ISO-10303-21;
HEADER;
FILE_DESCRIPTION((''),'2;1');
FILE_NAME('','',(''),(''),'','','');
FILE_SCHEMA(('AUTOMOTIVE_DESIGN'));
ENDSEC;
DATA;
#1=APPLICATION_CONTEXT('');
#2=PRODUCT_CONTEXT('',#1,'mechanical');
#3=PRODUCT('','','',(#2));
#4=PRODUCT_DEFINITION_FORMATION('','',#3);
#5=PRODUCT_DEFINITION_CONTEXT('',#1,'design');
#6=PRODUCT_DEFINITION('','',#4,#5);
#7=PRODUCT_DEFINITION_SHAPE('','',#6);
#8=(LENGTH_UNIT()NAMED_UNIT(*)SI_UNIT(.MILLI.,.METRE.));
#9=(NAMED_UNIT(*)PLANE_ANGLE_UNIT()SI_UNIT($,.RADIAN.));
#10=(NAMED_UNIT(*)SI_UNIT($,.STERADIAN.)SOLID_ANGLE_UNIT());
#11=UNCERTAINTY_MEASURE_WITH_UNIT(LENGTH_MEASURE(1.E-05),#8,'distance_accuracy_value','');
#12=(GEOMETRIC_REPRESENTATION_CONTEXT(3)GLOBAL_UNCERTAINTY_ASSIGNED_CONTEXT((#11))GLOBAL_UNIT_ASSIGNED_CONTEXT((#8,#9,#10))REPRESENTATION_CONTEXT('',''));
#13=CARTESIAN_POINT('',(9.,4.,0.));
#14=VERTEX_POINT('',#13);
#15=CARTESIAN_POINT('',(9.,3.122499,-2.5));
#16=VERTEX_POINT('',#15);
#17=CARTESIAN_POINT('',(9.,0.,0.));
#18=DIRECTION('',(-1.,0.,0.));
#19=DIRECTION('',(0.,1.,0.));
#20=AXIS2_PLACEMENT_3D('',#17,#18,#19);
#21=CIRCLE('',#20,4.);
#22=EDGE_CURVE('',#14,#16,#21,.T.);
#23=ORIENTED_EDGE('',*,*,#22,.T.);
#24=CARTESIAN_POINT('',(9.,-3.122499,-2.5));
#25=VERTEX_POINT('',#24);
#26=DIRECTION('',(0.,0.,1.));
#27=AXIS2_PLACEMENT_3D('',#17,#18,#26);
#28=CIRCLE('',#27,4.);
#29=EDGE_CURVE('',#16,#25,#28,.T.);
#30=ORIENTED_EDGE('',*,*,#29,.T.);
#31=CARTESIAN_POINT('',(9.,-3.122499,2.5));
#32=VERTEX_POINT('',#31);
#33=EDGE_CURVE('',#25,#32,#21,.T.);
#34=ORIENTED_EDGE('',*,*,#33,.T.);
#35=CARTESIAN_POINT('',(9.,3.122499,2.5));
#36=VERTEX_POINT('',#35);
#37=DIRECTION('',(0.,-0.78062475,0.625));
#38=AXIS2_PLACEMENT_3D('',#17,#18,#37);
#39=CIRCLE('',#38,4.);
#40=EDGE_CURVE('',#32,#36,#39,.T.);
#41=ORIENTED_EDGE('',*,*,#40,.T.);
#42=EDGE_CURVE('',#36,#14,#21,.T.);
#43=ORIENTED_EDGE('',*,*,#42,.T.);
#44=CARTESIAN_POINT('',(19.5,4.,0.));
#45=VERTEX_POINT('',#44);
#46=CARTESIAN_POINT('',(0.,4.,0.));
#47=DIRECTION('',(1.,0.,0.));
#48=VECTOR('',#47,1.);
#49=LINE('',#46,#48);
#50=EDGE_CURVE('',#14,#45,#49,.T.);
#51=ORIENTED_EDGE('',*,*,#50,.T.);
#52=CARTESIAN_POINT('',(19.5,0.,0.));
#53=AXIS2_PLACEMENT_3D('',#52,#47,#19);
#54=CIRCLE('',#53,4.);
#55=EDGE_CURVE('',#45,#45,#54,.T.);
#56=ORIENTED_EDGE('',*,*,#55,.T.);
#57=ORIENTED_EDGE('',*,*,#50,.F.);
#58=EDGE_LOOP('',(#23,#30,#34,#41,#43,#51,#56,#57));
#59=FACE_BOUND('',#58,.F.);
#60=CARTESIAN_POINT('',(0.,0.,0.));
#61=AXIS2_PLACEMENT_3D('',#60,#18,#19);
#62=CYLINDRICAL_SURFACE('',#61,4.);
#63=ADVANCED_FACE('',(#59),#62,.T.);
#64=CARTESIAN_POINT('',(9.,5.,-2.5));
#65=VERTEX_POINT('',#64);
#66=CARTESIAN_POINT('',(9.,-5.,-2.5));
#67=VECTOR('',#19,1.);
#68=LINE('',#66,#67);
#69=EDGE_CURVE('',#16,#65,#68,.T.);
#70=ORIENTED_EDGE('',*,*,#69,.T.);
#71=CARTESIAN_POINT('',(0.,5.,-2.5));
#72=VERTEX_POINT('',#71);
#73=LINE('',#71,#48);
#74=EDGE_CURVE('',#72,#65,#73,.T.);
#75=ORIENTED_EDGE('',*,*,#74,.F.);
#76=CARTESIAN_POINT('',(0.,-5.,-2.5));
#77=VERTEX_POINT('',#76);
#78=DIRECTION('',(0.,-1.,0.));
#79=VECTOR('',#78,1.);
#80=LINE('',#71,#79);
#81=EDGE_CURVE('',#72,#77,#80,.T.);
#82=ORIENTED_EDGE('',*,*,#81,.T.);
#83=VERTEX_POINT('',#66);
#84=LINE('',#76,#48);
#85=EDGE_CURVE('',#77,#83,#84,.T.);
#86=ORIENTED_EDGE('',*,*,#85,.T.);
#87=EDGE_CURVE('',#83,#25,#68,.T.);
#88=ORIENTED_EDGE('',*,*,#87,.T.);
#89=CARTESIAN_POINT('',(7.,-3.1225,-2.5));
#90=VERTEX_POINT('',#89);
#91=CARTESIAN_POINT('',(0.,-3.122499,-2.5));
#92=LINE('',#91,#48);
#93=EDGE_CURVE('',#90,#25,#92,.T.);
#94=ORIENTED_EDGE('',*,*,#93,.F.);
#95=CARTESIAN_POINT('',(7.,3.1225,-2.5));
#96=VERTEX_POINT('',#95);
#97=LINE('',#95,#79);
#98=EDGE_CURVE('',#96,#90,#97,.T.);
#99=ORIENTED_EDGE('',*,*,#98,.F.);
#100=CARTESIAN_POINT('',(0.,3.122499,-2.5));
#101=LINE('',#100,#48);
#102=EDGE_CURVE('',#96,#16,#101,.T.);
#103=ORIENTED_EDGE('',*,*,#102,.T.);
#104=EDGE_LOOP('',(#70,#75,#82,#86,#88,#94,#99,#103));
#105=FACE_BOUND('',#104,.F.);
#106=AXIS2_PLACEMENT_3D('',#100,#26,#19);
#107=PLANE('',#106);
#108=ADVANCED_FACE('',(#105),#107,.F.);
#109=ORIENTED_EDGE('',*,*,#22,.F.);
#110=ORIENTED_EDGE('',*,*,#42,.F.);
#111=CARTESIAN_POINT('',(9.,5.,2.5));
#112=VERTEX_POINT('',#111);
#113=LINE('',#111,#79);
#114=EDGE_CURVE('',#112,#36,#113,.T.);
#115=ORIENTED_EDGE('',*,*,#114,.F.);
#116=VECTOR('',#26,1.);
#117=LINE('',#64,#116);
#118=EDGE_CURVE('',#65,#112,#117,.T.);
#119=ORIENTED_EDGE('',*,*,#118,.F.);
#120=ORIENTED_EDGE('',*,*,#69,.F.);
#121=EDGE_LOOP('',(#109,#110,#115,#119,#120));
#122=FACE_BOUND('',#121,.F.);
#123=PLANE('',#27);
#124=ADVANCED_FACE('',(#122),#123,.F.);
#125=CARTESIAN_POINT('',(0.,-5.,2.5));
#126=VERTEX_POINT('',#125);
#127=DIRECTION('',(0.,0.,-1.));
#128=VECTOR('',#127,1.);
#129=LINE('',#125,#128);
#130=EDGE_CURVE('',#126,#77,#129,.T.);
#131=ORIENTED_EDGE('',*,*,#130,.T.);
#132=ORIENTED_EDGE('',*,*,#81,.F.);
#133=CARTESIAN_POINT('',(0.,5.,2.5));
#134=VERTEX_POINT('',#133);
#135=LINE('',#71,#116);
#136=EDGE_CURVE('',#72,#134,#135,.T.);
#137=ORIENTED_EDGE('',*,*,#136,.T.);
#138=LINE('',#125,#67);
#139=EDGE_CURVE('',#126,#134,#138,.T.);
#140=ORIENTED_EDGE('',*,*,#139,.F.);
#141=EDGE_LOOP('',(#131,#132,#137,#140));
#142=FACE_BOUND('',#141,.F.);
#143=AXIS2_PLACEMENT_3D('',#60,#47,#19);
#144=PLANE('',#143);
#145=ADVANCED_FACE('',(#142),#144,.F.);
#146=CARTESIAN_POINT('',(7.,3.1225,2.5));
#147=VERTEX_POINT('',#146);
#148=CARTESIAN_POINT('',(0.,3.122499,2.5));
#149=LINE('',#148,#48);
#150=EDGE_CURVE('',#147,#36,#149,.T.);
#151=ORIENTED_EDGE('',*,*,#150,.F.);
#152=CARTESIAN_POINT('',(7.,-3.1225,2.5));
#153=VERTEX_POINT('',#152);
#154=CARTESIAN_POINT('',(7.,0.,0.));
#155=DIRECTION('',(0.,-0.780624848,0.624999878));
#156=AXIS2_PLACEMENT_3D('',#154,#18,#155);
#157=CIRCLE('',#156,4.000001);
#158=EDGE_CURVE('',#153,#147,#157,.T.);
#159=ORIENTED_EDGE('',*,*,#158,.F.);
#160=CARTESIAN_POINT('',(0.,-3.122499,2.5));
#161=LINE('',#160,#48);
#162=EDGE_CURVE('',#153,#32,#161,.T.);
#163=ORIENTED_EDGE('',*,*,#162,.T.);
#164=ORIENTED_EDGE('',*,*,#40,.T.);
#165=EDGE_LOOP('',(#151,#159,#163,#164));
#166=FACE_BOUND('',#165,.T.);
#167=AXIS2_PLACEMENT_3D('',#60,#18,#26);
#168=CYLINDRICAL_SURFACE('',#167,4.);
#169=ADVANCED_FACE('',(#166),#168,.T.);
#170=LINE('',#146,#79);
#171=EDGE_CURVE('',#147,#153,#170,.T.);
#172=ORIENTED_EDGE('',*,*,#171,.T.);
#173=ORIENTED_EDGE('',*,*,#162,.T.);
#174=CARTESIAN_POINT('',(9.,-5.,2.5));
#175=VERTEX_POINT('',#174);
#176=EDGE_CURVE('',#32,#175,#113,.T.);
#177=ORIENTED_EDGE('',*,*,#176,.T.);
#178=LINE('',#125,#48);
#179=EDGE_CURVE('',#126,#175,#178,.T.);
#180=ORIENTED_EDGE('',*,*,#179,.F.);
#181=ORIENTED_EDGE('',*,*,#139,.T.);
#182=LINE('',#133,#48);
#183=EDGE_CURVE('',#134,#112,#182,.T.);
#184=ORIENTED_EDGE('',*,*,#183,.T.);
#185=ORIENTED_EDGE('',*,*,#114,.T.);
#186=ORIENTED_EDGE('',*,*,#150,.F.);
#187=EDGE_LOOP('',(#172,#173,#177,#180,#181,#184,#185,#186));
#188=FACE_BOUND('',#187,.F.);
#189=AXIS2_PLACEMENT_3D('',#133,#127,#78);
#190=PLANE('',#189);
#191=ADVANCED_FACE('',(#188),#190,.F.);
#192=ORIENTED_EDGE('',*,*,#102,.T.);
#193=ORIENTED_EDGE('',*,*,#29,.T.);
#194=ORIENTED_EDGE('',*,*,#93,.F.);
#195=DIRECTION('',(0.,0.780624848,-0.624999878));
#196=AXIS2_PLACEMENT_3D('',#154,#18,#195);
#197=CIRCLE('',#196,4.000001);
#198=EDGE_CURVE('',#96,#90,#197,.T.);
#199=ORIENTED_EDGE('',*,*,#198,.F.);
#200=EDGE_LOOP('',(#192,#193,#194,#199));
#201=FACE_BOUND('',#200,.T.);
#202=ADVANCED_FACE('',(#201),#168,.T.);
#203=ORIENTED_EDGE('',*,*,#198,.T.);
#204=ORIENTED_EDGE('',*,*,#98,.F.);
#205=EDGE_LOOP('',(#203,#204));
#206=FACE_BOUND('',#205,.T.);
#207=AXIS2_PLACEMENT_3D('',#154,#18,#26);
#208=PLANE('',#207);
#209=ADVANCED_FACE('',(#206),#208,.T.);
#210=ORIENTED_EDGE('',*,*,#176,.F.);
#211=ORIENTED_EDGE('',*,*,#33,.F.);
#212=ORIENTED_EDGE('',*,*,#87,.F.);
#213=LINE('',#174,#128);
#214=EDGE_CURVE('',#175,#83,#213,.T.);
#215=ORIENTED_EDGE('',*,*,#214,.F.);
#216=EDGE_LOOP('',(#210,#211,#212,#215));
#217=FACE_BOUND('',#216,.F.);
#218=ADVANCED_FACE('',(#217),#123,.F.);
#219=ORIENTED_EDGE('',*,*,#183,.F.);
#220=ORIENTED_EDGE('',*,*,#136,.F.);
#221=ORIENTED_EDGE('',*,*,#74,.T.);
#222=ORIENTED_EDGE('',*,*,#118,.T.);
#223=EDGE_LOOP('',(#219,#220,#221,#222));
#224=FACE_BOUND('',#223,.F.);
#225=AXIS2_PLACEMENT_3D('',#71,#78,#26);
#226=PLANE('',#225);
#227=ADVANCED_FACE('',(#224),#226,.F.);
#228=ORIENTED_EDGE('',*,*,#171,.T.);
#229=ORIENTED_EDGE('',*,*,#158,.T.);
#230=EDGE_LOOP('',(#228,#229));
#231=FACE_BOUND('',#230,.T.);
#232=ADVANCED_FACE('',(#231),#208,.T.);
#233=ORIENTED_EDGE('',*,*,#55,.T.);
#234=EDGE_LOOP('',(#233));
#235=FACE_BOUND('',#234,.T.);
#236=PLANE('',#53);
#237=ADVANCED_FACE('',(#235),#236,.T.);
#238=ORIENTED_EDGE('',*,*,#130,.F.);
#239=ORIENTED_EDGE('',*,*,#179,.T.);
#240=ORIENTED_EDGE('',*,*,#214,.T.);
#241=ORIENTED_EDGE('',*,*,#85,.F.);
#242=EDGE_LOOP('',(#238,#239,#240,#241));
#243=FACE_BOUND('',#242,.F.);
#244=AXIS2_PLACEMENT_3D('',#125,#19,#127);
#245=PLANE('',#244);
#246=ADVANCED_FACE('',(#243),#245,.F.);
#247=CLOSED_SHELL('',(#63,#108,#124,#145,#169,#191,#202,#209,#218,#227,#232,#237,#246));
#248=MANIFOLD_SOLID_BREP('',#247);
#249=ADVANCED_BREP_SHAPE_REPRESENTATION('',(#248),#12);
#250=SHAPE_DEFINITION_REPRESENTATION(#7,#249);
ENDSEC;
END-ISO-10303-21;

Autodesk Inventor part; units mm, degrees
ref_plane "YZ Plane" through (0, 0, 0) normal (1, 0, 0) x (0, 1, 0)
ref_plane "XZ Plane" through (0, 0, 0) normal (0, 1, 0) x (-1, 0, 0)
ref_plane "XY Plane" through (0, 0, 0) normal (0, 0, 1) x (1, 0, 0)
sketch "Boceto2" plane through (0, 0, 0) normal (1, 0, 0) x (0, 1, 0)
  circle A0 centre (0, 0) radius 4
  dimension "d3" = 8
extrude "Extrusión2" add sketch "Boceto2" along normal blind 19.5
sketch "Boceto3" plane through (0, 0, 0) normal (-1, 0, 0) x (0, 0, 1)
  circle A0 centre (0, 0) radius 4 projected
  line L0 (-2.5, -5) -> (-2.5, 5)
  line L1 (-2.5, 5) -> (2.5, 5)
  line L2 (2.5, 5) -> (2.5, -5)
  line L3 (2.5, -5) -> (-2.5, -5)
  line L4 (-2.5, -5) -> (2.5, 5) construction
  line L5 (-2.5, 5) -> (2.5, -5) construction
  point P0 (-3.1225, 2.5)
  point P1 (-3.1225, -2.5)
  dimension "d15" = 10
  dimension "d16" = 5
extrude "Extrusión3" add sketch "Boceto3" against normal blind 9
sketch "Boceto4" plane through (0, 0, 0) normal (-1, 0, 0) x (0, 0, 1)
  line L0 (2.5, 3.1225) -> (2.5, -3.1225)
  line L1 (-2.5, 3.1225) -> (-2.5, -3.1225)
  line L2 (2.5, 5) -> (2.5, 3.1225) projected
  line L3 (-2.5, 3.1225) -> (-2.5, 5) projected
  arc A0 (2.5, -3.1225) -> (2.5, 3.1225) centre (0, 0) ccw
  arc A1 (-2.5, 3.1225) -> (-2.5, -3.1225) centre (0, 0) ccw
sketch "Boceto5" plane through (0, 0, 0) normal (-1, 0, 0) x (0, 0, 1)
  point P0 (0, 0)
extrude "Extrusión4" cut sketch "Boceto4" against normal blind 7
properties part number "Union pie"
